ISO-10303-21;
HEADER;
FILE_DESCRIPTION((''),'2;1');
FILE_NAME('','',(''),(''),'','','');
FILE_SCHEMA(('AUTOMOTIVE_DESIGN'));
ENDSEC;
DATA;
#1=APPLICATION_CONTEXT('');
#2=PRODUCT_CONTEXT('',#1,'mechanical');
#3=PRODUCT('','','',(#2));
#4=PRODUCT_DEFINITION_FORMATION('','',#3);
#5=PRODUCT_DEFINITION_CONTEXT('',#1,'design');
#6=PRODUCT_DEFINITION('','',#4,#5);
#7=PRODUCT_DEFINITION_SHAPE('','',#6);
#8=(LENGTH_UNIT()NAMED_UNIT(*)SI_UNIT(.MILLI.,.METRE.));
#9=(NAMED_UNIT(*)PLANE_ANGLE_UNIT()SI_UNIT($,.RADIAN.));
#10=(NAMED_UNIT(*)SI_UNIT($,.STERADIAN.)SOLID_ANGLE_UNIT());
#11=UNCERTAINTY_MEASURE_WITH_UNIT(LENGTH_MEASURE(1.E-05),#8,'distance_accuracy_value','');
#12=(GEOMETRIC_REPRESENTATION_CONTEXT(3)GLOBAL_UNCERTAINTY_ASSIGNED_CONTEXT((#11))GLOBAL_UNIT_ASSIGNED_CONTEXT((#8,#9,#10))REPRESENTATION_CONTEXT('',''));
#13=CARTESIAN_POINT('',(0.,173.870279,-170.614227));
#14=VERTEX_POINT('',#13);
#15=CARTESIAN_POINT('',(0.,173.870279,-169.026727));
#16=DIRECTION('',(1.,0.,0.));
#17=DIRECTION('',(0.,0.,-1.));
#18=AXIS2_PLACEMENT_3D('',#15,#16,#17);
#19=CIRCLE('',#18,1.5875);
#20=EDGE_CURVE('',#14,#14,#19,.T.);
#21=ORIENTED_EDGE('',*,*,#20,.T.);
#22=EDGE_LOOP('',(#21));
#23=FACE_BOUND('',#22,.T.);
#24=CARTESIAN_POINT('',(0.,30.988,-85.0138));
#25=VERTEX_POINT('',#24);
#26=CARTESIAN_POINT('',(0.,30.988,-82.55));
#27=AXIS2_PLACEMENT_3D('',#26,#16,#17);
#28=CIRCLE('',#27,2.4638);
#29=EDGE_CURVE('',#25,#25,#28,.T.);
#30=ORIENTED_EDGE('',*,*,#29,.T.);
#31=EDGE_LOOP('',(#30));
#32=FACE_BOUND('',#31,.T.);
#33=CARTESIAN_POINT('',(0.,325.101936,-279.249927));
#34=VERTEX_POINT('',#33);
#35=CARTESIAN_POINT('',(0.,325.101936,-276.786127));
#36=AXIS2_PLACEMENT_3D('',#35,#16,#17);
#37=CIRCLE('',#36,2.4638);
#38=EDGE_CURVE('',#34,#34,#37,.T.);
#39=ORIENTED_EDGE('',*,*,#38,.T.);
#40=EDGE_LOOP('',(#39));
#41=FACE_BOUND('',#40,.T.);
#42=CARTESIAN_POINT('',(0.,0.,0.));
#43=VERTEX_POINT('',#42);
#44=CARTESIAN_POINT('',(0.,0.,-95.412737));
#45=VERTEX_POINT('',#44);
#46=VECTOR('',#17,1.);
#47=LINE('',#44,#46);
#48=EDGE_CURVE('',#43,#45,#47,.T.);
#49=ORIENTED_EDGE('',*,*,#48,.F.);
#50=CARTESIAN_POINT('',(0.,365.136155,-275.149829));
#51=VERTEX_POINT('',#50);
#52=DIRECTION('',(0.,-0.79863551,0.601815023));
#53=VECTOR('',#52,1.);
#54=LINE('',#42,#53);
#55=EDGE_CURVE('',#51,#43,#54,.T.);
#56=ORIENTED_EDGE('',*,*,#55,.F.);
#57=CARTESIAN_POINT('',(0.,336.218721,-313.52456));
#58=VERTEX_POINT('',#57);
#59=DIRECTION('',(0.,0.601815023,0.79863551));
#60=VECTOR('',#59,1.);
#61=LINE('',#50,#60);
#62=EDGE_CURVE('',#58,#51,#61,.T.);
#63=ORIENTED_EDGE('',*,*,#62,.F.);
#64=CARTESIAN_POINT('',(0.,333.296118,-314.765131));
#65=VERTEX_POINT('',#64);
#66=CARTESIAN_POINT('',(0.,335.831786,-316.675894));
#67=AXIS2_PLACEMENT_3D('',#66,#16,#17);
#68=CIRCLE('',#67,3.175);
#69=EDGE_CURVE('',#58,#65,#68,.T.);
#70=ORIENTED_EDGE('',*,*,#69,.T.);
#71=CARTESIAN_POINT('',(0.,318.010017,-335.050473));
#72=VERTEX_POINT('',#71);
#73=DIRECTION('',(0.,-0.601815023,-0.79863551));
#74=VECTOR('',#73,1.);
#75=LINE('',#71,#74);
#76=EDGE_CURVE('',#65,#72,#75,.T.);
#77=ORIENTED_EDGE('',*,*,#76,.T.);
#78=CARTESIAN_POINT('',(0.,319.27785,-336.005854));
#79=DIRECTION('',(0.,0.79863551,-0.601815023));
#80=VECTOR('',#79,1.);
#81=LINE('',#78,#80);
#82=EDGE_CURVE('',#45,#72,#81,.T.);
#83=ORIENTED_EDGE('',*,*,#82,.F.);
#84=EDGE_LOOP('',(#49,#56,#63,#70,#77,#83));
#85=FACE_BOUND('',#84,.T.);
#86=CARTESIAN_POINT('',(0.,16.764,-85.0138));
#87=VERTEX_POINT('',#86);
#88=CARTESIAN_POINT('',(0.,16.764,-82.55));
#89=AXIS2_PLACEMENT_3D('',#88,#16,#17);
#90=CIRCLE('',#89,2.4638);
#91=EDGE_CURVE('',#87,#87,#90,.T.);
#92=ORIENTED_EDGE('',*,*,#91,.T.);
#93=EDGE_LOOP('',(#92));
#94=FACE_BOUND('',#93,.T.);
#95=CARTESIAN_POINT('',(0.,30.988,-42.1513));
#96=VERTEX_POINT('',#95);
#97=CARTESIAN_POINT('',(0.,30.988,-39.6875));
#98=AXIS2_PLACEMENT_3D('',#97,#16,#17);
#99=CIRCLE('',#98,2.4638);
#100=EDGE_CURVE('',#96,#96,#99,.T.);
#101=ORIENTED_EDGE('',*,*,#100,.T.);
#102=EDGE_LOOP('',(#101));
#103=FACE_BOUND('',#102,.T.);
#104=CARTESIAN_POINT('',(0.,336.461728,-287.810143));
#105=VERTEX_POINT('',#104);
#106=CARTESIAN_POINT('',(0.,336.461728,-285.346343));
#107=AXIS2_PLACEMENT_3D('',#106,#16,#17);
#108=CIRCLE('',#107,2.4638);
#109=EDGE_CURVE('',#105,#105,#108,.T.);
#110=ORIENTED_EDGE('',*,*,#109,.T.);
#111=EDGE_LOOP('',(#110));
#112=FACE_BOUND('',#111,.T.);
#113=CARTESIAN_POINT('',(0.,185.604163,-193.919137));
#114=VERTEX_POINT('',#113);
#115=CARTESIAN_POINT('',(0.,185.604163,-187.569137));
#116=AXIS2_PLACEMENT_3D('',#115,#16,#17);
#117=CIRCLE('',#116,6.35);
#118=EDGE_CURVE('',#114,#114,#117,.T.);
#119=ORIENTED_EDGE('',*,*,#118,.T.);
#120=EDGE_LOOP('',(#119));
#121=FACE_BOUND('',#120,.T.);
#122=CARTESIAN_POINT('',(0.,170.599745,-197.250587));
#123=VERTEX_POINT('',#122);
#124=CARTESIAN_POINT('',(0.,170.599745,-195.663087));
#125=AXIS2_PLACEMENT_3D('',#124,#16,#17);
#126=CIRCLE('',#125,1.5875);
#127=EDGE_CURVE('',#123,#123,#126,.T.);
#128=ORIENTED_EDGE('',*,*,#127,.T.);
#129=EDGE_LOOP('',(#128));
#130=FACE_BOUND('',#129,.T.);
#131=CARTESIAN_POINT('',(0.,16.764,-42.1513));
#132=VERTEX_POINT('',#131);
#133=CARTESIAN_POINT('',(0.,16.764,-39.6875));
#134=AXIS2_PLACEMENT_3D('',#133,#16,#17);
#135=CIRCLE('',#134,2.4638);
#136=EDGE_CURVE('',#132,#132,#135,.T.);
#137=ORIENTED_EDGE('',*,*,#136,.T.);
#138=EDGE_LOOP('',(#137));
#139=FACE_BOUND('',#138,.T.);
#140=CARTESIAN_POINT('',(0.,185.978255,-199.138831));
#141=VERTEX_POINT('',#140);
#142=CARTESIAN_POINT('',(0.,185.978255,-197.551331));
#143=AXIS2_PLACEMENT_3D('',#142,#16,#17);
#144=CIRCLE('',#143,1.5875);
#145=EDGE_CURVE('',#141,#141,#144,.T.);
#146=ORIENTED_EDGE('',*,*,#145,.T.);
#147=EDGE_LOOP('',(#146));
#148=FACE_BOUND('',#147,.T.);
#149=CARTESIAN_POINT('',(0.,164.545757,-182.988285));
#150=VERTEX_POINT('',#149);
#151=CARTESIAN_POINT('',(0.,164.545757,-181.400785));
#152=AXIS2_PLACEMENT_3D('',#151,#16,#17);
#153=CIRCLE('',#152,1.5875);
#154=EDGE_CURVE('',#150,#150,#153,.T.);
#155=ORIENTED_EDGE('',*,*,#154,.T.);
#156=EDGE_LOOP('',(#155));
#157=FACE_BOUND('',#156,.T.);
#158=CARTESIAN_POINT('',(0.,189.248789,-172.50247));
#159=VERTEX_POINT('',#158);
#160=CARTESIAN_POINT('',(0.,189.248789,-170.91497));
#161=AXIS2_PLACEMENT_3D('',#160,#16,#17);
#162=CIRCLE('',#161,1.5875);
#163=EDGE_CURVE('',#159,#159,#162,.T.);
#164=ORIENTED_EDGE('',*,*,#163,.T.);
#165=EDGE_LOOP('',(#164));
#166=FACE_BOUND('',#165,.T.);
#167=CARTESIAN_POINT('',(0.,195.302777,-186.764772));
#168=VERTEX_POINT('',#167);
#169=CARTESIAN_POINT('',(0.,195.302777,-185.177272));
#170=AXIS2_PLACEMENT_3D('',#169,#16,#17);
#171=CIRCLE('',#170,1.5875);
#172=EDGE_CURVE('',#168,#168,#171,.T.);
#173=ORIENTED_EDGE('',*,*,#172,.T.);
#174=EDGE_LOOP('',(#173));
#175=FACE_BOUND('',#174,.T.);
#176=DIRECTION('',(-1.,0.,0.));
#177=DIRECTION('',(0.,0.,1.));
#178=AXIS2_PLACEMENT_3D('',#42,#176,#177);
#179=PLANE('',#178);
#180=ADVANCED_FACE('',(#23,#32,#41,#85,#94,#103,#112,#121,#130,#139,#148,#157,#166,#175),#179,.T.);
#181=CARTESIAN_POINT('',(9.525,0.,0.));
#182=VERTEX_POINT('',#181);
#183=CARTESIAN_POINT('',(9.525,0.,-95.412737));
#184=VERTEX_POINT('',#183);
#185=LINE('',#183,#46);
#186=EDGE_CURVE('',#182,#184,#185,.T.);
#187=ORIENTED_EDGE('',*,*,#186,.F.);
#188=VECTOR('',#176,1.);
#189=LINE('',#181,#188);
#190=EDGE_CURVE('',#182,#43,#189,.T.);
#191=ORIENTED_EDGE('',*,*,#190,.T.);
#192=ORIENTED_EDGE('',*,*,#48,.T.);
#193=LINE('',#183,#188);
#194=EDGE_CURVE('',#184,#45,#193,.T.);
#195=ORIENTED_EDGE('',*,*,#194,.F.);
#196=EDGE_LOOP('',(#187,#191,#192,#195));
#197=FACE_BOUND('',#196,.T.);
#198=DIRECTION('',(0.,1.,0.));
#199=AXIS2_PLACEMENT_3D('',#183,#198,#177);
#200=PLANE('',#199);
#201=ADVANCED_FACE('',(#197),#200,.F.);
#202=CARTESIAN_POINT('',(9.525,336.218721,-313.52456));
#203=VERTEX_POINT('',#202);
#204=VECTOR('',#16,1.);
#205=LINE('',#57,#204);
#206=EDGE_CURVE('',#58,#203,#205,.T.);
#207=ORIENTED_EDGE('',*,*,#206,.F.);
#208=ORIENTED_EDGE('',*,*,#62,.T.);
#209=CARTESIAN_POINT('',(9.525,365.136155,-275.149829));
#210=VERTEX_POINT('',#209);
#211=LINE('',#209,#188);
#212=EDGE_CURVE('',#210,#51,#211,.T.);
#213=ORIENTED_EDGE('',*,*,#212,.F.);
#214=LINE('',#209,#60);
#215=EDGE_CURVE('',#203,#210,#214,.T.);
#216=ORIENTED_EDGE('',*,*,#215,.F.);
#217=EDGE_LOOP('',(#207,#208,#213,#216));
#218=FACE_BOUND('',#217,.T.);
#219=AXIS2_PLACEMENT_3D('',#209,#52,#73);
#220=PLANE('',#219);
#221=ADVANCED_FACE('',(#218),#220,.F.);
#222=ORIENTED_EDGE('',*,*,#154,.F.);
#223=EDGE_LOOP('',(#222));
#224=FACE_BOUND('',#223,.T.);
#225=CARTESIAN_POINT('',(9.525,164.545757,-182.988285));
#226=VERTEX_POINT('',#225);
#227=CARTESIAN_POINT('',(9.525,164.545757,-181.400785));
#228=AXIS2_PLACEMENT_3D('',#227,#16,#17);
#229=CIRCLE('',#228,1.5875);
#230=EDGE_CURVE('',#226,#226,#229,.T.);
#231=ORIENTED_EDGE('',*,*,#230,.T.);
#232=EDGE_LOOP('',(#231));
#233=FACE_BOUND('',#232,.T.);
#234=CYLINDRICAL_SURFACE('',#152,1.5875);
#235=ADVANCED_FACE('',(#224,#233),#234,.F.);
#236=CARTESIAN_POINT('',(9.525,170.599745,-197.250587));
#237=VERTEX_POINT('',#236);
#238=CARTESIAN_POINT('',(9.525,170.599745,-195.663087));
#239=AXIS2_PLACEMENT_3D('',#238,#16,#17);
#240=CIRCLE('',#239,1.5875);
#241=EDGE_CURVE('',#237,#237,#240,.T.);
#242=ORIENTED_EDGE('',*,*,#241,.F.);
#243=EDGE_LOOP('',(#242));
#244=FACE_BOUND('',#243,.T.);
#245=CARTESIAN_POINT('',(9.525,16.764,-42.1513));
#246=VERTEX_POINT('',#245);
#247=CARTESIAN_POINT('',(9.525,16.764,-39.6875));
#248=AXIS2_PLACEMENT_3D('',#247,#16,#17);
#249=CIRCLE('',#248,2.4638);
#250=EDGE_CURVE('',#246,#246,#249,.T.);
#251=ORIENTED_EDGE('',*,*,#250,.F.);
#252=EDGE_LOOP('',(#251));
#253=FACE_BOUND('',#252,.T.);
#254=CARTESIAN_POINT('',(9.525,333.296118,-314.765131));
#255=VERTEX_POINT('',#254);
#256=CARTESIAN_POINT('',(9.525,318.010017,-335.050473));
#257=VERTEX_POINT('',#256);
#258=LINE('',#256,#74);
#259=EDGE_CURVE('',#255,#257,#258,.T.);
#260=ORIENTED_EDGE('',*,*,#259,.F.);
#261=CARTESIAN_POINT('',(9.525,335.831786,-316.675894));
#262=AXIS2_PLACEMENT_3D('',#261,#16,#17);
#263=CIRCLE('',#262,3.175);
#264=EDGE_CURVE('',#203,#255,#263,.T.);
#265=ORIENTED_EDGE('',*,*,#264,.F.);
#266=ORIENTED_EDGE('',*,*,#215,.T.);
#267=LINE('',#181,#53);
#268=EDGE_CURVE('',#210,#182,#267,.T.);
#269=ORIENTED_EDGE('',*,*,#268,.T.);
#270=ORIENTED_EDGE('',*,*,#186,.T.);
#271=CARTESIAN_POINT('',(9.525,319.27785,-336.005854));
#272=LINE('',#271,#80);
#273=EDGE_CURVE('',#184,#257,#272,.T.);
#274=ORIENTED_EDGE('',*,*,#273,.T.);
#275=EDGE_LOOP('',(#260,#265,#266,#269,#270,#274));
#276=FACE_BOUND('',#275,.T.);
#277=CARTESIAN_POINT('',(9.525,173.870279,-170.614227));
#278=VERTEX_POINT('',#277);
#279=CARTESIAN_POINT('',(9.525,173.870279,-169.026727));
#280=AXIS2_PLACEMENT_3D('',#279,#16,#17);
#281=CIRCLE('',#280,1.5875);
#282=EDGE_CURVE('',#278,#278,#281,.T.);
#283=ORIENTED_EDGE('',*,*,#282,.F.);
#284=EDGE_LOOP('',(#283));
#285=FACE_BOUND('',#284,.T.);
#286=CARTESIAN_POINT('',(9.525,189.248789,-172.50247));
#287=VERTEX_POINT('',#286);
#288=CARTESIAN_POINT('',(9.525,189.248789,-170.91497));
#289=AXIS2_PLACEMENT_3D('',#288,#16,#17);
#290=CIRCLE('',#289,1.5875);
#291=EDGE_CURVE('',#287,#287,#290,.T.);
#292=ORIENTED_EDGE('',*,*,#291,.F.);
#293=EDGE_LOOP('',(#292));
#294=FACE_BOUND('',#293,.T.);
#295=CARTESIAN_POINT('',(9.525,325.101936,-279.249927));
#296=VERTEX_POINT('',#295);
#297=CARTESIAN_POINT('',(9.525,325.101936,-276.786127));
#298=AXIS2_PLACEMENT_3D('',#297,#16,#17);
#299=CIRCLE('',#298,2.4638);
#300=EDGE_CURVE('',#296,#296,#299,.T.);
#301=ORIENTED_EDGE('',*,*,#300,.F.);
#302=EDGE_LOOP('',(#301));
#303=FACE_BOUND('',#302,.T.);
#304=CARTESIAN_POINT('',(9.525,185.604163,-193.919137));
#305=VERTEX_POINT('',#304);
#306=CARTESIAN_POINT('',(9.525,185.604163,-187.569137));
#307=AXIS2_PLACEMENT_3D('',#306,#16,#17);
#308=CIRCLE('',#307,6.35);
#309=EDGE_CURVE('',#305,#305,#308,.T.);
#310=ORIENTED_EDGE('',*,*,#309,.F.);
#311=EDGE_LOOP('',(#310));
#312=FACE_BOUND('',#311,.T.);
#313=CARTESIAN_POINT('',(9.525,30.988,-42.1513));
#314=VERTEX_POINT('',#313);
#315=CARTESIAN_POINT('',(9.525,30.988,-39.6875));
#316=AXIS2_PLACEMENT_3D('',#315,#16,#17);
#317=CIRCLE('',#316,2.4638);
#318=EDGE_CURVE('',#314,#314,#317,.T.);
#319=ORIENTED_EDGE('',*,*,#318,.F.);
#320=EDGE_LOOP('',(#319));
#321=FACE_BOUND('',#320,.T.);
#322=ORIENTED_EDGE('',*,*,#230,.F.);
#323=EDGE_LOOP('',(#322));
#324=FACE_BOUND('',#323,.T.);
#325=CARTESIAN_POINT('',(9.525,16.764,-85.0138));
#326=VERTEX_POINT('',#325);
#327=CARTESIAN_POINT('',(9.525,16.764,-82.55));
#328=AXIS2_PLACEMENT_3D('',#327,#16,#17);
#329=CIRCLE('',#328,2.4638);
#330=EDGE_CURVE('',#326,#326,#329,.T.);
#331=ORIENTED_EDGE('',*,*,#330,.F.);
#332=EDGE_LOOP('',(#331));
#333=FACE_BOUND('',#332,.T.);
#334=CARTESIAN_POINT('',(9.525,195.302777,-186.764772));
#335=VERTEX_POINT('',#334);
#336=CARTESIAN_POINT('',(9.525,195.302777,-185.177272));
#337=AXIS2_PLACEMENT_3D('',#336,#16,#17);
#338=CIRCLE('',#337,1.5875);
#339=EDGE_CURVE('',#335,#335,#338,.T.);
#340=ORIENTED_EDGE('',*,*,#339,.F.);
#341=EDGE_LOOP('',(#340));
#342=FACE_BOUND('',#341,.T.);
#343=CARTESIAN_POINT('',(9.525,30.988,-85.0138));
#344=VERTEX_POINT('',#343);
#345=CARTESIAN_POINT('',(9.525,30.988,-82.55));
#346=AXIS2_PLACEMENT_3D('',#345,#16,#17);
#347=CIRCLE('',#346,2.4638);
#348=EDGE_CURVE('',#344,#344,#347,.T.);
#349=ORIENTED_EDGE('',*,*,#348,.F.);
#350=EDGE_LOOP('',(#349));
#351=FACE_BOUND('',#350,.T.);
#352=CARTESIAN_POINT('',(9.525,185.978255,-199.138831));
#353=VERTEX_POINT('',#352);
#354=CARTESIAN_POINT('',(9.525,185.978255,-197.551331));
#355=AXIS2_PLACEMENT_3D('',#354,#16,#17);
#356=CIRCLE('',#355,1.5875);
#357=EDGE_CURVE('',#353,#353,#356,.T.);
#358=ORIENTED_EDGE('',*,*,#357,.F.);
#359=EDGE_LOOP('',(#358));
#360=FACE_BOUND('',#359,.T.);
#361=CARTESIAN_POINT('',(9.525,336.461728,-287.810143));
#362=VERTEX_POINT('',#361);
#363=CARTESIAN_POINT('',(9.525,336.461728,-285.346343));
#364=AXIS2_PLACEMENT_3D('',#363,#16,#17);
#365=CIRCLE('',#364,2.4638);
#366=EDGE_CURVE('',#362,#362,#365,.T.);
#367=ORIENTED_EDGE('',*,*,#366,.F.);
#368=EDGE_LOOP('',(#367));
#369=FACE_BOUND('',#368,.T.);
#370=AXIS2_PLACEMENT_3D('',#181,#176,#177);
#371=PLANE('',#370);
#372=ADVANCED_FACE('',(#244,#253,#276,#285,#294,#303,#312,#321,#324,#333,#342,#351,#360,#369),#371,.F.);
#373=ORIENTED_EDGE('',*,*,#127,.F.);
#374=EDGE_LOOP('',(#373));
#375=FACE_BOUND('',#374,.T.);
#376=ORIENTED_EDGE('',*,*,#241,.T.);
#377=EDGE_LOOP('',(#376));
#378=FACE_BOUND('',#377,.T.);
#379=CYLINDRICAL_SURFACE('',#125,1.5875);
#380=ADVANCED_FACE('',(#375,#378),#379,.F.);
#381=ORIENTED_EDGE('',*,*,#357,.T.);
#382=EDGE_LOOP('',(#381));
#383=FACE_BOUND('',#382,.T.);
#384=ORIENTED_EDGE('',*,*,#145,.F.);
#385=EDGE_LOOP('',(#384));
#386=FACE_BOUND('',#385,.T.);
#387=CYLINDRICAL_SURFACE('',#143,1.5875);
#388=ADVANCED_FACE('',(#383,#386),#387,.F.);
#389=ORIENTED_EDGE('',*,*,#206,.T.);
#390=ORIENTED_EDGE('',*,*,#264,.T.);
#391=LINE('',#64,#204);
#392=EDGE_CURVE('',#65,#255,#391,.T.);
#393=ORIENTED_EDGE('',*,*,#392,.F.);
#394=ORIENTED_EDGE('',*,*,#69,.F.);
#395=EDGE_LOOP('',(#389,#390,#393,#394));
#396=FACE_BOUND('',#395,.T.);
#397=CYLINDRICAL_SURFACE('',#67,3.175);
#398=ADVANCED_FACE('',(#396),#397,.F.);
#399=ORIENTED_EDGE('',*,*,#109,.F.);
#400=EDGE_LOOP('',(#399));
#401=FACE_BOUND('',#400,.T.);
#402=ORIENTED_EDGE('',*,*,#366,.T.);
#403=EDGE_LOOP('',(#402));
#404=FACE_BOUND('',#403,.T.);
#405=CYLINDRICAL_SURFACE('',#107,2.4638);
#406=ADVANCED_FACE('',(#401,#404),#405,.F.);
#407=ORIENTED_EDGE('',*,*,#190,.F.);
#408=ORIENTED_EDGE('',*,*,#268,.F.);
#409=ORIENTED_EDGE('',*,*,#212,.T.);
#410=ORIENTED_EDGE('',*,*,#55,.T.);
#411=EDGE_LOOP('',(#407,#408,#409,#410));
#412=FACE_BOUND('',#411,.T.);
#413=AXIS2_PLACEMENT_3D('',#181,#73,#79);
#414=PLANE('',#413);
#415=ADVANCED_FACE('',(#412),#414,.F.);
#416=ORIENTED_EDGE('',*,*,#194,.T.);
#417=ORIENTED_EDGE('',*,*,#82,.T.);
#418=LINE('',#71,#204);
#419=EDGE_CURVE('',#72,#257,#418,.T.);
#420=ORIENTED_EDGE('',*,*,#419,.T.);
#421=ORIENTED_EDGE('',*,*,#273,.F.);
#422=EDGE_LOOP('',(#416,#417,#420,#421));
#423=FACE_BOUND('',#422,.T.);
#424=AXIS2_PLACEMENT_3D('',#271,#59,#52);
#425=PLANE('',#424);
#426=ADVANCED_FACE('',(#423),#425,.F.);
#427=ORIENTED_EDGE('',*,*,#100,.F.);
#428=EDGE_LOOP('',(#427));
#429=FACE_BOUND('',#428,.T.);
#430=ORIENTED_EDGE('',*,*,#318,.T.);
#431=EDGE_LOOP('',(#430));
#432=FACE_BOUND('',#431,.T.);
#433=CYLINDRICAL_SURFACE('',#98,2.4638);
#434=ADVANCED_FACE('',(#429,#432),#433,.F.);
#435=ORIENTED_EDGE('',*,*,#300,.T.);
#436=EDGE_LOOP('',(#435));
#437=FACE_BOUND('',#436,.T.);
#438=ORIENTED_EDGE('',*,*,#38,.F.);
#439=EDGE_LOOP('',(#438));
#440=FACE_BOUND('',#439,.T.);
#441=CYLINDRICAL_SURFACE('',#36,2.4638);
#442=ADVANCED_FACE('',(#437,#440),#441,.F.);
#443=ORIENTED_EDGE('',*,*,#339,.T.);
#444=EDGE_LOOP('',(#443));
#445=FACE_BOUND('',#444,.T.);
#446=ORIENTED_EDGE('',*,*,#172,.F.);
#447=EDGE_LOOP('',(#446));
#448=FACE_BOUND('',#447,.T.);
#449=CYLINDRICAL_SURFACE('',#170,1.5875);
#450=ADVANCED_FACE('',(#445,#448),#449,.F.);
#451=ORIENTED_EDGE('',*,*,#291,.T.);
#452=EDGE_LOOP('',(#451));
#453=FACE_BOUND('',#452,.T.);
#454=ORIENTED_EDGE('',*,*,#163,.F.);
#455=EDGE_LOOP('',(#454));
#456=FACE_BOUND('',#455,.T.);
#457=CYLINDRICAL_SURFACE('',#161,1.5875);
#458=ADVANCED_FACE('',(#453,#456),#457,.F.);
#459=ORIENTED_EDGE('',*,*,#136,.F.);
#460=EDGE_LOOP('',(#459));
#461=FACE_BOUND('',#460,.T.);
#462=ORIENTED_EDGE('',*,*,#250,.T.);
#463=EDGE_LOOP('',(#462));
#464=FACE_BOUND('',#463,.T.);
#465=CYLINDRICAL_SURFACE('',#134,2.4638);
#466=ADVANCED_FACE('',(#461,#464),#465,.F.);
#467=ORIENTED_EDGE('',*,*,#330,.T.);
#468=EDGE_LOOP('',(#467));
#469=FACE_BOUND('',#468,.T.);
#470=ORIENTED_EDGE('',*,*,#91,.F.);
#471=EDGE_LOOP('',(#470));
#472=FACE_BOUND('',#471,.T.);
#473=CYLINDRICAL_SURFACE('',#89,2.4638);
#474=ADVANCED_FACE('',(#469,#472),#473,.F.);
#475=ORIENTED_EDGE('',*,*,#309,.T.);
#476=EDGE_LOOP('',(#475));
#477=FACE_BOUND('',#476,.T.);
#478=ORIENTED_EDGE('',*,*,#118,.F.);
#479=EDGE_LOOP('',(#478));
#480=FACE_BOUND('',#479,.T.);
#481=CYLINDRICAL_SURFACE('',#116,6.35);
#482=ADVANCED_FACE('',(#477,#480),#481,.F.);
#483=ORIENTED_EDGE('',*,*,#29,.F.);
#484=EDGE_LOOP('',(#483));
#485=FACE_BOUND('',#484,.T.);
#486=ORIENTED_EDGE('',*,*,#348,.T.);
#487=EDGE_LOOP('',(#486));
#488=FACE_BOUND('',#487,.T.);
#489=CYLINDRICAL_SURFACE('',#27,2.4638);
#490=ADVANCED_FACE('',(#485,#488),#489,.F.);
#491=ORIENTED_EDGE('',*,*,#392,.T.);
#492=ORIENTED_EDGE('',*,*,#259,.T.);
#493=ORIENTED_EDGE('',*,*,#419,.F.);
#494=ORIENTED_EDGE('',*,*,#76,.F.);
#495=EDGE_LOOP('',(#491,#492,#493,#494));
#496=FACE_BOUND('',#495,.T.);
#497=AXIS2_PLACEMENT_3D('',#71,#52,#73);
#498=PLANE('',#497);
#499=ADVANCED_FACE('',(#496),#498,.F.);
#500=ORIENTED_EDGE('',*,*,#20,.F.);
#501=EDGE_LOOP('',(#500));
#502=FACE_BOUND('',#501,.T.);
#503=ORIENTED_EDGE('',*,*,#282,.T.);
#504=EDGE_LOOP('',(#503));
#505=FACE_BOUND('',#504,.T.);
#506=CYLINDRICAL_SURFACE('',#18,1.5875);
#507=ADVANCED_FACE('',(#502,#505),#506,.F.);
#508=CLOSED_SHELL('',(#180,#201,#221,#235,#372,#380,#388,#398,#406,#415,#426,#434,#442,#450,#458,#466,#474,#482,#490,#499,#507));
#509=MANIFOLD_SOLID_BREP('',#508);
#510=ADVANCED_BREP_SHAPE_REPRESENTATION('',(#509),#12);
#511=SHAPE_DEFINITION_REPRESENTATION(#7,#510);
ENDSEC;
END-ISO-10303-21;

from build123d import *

# Parameters (mm, degrees)
BOSS_EXTRUDE1_DEPTH = 9.525
CUT_EXTRUDE1_DEPTH  = 10.525
SKETCH3_R           = 6.35
SKETCH3_R_2         = 1.5875
CUT_EXTRUDE2_DEPTH  = 10.525
SKETCH4_R           = 2.4638
CUT_EXTRUDE3_DEPTH  = 10.525


with BuildPart() as part:
    # Sketch1 → Boss-Extrude1 (new body)
    with BuildSketch(Plane(origin=(0, 0, 0), x_dir=(0, 0, -1), z_dir=(1, 0, 0))):
        Polygon((0, 0), (275.149828585, 365.136155194), (336.005854451, 319.277850429), (95.412737152, 0), align=None)
    extrude(amount=BOSS_EXTRUDE1_DEPTH)

    # Sketch2 → Cut-Extrude1 (cut, through all)
    with BuildSketch(Plane(origin=(9.525, 0, 0), x_dir=(0, 0, -1), z_dir=(1, 0, 0))):
        with BuildLine():
            Line((335.050473101, 318.010016557), (314.765131146, 333.296118145))
            ThreePointArc((314.765131146, 333.296118145), (313.753290935, 334.591214557), (313.524559813, 336.218721055))
            Line((313.524559813, 336.218721055), (336.005854451, 319.277850429))
            Line((336.005854451, 319.277850429), (335.050473101, 318.010016557))
        make_face()
    extrude(amount=-CUT_EXTRUDE1_DEPTH, mode=Mode.SUBTRACT)

    # Sketch3 → Cut-Extrude2 (cut, through all)
    with BuildSketch(Plane(origin=(9.525, 0, 0), x_dir=(0, 0, -1), z_dir=(1, 0, 0))):
        with Locations((187.569137258, 185.604162917)):
            Circle(SKETCH3_R)
        with Locations((195.663087406, 170.599745201)):
            Circle(SKETCH3_R_2)
        with Locations((181.400785207, 164.545757096)):
            Circle(SKETCH3_R_2)
        with Locations((169.026726614, 173.870279065)):
            Circle(SKETCH3_R_2)
        with Locations((170.914970221, 189.248789139)):
            Circle(SKETCH3_R_2)
        with Locations((185.17727242, 195.302777243)):
            Circle(SKETCH3_R_2)
        with Locations((197.551331013, 185.978255275)):
            Circle(SKETCH3_R_2)
    extrude(amount=-CUT_EXTRUDE2_DEPTH, mode=Mode.SUBTRACT)

    # Sketch4 → Cut-Extrude3 (cut, through all)
    with BuildSketch(Plane(origin=(9.525, 0, 0), x_dir=(0, 0, -1), z_dir=(1, 0, 0))):
        with Locations((285.346343492, 336.461727915)):
            Circle(SKETCH4_R)
        with Locations((276.786126603, 325.10193642)):
            Circle(SKETCH4_R)
        with Locations((39.6875, 30.988)):
            Circle(SKETCH4_R)
        with Locations((39.6875, 16.764)):
            Circle(SKETCH4_R)
        with Locations((82.55, 30.988)):
            Circle(SKETCH4_R)
        with Locations((82.55, 16.764)):
            Circle(SKETCH4_R)
    extrude(amount=-CUT_EXTRUDE3_DEPTH, mode=Mode.SUBTRACT)


solid = part.part
